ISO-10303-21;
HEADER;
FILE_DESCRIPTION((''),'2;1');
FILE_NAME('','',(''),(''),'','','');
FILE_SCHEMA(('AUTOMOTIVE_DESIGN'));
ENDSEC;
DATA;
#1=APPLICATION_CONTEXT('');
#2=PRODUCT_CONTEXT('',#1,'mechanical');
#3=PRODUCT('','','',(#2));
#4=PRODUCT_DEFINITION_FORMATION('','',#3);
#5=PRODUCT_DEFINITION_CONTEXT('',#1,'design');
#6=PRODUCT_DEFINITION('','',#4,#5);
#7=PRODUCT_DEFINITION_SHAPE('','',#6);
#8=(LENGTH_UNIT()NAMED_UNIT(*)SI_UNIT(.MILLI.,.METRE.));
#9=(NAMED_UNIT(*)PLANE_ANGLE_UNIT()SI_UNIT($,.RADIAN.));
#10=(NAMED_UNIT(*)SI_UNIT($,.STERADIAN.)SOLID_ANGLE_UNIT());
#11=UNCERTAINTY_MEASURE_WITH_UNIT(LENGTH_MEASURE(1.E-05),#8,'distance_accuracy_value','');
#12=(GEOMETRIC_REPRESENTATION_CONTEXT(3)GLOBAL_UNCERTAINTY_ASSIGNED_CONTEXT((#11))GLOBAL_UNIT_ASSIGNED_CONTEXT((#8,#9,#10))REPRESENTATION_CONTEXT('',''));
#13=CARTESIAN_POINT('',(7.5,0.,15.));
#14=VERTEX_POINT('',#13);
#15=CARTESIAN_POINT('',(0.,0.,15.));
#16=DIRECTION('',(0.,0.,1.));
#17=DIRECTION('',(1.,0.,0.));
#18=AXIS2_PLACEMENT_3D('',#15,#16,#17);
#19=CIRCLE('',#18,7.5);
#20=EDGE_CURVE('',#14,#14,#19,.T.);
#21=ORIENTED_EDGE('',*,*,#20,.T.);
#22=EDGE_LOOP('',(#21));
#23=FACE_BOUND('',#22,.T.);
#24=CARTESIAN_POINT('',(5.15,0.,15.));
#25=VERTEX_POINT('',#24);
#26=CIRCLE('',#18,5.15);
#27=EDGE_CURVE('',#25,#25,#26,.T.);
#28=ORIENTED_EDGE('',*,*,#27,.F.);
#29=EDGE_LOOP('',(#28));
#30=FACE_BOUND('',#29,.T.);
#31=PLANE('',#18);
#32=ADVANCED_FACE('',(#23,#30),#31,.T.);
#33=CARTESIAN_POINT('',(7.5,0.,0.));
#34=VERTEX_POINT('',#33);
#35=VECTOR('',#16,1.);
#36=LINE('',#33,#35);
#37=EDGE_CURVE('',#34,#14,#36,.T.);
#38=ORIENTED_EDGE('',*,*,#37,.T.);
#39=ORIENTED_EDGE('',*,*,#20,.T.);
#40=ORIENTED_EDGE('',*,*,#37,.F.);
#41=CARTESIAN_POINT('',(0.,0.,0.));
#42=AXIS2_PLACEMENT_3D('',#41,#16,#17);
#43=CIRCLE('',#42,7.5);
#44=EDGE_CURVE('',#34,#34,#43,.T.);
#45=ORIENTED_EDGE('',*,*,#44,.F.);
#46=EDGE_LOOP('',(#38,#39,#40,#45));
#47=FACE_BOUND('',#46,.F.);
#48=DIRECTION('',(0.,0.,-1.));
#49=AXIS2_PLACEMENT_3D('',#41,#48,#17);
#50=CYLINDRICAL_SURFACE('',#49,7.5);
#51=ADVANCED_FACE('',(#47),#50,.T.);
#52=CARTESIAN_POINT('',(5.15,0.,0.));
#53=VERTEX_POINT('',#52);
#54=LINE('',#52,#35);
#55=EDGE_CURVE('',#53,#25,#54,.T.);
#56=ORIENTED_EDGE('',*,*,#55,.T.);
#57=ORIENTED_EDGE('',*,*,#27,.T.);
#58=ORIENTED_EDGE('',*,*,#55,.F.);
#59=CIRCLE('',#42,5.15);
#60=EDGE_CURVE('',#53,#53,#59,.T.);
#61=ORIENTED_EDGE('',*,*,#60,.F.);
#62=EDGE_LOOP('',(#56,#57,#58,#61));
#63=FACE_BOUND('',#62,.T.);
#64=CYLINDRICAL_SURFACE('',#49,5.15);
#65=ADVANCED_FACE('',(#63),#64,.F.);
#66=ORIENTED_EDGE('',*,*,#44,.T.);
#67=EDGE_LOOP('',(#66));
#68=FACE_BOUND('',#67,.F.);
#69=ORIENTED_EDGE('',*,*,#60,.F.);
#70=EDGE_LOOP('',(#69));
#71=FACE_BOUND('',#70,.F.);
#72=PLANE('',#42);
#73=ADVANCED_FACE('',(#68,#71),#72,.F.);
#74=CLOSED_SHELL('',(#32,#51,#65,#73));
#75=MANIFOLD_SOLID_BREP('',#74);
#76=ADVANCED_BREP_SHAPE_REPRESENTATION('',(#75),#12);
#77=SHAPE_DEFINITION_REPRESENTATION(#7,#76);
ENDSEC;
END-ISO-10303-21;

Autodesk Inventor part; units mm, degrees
ref_plane "YZ Plane" through (0, 0, 0) normal (1, 0, 0) x (0, 1, 0)
ref_plane "XZ Plane" through (0, 0, 0) normal (0, 1, 0) x (-1, 0, 0)
ref_plane "XY Plane" through (0, 0, 0) normal (0, 0, 1) x (1, 0, 0)
sketch "Sketch1" plane through (0, 0, 0) normal (0, 0, 1) x (1, 0, 0)
  circle A0 centre (0, 0) radius 7.5
  circle A1 centre (0, 0) radius 5.15
  dimension "d0" = 15
  dimension "d1" = 10.3
extrude "Extrusion1" add sketch "Sketch1" along normal blind 15
properties part number "Support_Seperator_Single"
